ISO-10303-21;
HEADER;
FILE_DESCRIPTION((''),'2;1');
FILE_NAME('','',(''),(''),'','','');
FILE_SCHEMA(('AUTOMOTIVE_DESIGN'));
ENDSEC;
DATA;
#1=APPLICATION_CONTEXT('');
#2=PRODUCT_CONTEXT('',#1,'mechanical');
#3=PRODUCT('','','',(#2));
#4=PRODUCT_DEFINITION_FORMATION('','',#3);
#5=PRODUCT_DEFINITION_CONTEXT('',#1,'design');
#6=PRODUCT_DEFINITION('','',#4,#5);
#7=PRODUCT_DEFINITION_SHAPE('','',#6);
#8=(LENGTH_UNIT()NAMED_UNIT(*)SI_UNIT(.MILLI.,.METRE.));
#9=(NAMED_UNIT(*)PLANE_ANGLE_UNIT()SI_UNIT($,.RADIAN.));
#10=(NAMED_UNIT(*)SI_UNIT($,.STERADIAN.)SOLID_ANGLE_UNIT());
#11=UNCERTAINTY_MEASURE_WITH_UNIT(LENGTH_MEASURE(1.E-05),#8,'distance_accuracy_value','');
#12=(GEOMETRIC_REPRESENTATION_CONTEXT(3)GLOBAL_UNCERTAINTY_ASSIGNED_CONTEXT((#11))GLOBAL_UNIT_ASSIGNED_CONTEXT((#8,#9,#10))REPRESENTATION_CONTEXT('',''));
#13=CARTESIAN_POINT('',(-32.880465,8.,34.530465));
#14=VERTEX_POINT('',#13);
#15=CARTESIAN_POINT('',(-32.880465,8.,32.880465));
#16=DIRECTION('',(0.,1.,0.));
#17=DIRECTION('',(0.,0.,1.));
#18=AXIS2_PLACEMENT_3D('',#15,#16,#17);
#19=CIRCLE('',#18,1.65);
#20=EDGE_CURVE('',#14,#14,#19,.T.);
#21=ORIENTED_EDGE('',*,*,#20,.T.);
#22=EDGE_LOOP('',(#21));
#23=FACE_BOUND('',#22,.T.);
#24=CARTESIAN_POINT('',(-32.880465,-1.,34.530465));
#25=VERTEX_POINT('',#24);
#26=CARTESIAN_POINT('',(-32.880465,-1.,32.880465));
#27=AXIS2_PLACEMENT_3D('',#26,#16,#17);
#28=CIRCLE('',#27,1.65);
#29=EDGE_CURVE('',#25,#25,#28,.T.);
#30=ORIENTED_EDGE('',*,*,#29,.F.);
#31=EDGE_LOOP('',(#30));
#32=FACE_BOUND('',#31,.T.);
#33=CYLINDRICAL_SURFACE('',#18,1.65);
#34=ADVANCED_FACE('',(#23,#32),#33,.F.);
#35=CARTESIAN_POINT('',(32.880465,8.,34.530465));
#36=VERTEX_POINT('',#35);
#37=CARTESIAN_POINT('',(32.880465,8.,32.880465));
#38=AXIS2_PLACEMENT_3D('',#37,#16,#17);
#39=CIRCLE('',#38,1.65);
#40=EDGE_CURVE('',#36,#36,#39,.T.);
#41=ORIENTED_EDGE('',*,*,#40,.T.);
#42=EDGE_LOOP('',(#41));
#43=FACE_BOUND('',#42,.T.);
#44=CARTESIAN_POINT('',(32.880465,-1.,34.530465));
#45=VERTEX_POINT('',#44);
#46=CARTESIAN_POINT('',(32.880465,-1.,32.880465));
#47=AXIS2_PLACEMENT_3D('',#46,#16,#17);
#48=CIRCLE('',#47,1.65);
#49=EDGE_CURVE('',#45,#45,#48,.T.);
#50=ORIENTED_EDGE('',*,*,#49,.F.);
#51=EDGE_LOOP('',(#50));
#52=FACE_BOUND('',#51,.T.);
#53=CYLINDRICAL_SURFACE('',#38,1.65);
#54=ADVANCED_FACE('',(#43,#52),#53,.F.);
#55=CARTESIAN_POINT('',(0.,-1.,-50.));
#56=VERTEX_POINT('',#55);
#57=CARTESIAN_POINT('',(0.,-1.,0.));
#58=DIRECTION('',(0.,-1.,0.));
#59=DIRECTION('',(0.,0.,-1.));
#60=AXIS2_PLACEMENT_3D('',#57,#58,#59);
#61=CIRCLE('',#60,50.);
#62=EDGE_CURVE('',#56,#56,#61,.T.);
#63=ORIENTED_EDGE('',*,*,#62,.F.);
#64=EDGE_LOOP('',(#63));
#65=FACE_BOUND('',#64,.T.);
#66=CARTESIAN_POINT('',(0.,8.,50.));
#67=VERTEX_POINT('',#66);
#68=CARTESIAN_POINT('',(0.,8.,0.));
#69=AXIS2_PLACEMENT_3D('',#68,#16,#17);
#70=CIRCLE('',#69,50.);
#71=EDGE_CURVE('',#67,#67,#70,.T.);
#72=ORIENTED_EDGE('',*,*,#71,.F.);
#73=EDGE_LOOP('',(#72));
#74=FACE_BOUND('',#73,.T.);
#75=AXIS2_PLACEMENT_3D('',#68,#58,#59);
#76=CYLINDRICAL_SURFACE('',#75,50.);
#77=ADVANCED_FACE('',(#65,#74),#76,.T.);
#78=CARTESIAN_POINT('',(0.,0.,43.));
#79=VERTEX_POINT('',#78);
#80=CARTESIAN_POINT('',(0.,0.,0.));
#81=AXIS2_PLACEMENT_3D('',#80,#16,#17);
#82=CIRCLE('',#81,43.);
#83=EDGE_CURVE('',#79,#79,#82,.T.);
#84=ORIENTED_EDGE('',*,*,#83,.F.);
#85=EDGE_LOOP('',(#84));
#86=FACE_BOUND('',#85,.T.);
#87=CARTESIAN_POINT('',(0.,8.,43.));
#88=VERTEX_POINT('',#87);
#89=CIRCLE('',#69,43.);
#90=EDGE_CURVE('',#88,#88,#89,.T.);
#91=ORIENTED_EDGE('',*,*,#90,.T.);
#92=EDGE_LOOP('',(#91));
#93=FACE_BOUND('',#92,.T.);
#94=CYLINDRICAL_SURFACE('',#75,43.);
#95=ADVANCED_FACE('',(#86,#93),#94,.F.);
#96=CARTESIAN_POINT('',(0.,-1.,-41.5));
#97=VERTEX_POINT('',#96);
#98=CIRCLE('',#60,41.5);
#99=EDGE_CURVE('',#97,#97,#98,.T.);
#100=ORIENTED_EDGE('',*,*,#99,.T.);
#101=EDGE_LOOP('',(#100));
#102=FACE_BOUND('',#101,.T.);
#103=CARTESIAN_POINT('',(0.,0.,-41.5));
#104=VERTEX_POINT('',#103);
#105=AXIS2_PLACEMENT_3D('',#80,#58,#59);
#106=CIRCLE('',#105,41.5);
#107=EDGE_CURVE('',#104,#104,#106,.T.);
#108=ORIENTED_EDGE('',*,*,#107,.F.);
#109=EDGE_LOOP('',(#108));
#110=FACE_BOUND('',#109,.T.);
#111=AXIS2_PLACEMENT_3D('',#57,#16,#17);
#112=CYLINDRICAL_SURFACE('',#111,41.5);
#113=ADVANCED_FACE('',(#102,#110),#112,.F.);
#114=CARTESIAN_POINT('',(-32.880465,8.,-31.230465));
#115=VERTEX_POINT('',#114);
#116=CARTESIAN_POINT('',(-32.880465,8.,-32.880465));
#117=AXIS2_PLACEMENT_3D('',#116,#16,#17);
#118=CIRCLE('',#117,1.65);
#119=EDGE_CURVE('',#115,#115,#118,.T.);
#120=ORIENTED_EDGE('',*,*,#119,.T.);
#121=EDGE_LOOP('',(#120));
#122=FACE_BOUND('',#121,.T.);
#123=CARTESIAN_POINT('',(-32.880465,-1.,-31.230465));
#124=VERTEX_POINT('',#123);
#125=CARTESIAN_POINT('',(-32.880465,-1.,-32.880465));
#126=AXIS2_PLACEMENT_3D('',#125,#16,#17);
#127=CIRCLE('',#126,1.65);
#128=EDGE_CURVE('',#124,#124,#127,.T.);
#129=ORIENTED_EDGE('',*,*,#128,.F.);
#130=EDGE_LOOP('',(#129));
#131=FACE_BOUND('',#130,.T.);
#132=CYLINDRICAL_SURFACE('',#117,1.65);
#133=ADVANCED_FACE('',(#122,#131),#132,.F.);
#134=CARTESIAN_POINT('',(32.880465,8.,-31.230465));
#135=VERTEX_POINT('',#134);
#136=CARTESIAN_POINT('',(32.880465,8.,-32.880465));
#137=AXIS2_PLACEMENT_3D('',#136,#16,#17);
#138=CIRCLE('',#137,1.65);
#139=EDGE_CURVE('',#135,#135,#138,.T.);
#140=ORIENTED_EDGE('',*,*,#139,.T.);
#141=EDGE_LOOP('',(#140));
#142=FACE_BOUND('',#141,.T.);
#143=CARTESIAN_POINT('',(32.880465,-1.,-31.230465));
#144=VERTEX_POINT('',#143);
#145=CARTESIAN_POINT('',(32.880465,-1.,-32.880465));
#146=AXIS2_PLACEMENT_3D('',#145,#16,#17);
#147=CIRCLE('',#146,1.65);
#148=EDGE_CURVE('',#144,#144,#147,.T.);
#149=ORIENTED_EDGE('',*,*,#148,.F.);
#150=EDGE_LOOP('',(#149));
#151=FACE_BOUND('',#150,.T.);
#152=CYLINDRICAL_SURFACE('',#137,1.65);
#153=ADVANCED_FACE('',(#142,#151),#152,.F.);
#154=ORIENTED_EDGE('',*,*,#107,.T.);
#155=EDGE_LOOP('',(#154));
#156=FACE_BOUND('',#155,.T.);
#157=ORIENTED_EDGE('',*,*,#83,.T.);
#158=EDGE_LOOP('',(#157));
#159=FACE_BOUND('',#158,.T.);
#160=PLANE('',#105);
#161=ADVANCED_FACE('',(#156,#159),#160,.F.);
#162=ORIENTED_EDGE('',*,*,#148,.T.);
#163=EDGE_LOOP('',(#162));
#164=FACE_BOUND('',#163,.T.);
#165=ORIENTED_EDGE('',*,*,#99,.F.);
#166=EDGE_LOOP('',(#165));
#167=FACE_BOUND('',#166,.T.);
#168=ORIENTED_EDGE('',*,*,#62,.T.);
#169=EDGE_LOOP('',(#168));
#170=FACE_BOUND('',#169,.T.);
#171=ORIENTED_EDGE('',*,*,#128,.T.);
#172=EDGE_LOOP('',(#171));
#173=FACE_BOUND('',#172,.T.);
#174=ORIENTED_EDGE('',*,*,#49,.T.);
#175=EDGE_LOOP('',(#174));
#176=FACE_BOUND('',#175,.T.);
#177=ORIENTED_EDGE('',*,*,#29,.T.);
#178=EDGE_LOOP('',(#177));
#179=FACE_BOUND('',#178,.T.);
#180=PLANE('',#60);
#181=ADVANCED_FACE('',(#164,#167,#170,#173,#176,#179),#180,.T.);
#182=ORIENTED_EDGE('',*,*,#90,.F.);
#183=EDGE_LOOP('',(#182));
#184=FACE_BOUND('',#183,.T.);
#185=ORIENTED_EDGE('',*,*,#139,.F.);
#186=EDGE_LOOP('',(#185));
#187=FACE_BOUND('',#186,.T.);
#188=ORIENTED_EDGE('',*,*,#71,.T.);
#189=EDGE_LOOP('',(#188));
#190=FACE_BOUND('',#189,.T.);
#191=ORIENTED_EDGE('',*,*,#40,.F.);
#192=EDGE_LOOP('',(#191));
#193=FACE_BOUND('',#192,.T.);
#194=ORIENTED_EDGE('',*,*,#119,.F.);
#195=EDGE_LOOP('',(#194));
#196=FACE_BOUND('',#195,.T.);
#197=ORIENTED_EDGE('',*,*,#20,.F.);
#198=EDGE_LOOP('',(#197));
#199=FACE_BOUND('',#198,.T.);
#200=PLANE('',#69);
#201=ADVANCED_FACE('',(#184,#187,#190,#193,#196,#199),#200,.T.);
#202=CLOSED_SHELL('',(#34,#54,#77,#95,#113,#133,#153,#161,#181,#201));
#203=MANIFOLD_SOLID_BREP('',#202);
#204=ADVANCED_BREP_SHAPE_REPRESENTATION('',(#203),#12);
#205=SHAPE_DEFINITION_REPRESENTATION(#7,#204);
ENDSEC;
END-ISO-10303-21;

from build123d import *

# Parameters (mm, degrees)
SKETCH_2_R         = 50
SKETCH_2_R_2       = 43
EXTRUDE_1_DEPTH    = 8
EXTRUDE_START      = 1
SKETCH_3_R         = 50
SKETCH_3_R_2       = 41.5
EXTRUDE_2_DEPTH    = 1
HOLE_WIZARD_M4_1_D = 3.3


with BuildPart() as part:
    # 草图2 → 凸台-拉伸1 (new body)
    with BuildSketch(Plane(origin=(0, 0, 0), x_dir=(1, 0, 0), z_dir=(0, 1, 0))):
        with Locations(Location((0, 0, 0), (0, 0, 270))):
            Circle(SKETCH_2_R)
        with Locations(Location((0, 0, 0), (0, 0, 270))):
            Circle(SKETCH_2_R_2, mode=Mode.SUBTRACT)
    extrude(amount=EXTRUDE_1_DEPTH)

    # 草图3 → 凸台-拉伸2 (add)
    with BuildSketch(Plane.XZ.offset(EXTRUDE_START)):
        with Locations(Location((0, 0, 0), (0, 0, 270))):
            Circle(SKETCH_3_R)
        with Locations(Location((0, 0, 0), (0, 0, 270))):
            Circle(SKETCH_3_R_2, mode=Mode.SUBTRACT)
    extrude(amount=-EXTRUDE_2_DEPTH)

    # M4 螺纹孔1 (through all)
    with Locations(Plane(origin=(0, 8, 0), x_dir=(1, 0, 0), z_dir=(0, 1, 0))):
        with Locations((-32.880465325, 32.880465325), (-32.880465325, -32.880465325), (32.880465325, -32.880465325), (32.880465325, 32.880465325)):
            Hole(HOLE_WIZARD_M4_1_D / 2)


solid = part.part
